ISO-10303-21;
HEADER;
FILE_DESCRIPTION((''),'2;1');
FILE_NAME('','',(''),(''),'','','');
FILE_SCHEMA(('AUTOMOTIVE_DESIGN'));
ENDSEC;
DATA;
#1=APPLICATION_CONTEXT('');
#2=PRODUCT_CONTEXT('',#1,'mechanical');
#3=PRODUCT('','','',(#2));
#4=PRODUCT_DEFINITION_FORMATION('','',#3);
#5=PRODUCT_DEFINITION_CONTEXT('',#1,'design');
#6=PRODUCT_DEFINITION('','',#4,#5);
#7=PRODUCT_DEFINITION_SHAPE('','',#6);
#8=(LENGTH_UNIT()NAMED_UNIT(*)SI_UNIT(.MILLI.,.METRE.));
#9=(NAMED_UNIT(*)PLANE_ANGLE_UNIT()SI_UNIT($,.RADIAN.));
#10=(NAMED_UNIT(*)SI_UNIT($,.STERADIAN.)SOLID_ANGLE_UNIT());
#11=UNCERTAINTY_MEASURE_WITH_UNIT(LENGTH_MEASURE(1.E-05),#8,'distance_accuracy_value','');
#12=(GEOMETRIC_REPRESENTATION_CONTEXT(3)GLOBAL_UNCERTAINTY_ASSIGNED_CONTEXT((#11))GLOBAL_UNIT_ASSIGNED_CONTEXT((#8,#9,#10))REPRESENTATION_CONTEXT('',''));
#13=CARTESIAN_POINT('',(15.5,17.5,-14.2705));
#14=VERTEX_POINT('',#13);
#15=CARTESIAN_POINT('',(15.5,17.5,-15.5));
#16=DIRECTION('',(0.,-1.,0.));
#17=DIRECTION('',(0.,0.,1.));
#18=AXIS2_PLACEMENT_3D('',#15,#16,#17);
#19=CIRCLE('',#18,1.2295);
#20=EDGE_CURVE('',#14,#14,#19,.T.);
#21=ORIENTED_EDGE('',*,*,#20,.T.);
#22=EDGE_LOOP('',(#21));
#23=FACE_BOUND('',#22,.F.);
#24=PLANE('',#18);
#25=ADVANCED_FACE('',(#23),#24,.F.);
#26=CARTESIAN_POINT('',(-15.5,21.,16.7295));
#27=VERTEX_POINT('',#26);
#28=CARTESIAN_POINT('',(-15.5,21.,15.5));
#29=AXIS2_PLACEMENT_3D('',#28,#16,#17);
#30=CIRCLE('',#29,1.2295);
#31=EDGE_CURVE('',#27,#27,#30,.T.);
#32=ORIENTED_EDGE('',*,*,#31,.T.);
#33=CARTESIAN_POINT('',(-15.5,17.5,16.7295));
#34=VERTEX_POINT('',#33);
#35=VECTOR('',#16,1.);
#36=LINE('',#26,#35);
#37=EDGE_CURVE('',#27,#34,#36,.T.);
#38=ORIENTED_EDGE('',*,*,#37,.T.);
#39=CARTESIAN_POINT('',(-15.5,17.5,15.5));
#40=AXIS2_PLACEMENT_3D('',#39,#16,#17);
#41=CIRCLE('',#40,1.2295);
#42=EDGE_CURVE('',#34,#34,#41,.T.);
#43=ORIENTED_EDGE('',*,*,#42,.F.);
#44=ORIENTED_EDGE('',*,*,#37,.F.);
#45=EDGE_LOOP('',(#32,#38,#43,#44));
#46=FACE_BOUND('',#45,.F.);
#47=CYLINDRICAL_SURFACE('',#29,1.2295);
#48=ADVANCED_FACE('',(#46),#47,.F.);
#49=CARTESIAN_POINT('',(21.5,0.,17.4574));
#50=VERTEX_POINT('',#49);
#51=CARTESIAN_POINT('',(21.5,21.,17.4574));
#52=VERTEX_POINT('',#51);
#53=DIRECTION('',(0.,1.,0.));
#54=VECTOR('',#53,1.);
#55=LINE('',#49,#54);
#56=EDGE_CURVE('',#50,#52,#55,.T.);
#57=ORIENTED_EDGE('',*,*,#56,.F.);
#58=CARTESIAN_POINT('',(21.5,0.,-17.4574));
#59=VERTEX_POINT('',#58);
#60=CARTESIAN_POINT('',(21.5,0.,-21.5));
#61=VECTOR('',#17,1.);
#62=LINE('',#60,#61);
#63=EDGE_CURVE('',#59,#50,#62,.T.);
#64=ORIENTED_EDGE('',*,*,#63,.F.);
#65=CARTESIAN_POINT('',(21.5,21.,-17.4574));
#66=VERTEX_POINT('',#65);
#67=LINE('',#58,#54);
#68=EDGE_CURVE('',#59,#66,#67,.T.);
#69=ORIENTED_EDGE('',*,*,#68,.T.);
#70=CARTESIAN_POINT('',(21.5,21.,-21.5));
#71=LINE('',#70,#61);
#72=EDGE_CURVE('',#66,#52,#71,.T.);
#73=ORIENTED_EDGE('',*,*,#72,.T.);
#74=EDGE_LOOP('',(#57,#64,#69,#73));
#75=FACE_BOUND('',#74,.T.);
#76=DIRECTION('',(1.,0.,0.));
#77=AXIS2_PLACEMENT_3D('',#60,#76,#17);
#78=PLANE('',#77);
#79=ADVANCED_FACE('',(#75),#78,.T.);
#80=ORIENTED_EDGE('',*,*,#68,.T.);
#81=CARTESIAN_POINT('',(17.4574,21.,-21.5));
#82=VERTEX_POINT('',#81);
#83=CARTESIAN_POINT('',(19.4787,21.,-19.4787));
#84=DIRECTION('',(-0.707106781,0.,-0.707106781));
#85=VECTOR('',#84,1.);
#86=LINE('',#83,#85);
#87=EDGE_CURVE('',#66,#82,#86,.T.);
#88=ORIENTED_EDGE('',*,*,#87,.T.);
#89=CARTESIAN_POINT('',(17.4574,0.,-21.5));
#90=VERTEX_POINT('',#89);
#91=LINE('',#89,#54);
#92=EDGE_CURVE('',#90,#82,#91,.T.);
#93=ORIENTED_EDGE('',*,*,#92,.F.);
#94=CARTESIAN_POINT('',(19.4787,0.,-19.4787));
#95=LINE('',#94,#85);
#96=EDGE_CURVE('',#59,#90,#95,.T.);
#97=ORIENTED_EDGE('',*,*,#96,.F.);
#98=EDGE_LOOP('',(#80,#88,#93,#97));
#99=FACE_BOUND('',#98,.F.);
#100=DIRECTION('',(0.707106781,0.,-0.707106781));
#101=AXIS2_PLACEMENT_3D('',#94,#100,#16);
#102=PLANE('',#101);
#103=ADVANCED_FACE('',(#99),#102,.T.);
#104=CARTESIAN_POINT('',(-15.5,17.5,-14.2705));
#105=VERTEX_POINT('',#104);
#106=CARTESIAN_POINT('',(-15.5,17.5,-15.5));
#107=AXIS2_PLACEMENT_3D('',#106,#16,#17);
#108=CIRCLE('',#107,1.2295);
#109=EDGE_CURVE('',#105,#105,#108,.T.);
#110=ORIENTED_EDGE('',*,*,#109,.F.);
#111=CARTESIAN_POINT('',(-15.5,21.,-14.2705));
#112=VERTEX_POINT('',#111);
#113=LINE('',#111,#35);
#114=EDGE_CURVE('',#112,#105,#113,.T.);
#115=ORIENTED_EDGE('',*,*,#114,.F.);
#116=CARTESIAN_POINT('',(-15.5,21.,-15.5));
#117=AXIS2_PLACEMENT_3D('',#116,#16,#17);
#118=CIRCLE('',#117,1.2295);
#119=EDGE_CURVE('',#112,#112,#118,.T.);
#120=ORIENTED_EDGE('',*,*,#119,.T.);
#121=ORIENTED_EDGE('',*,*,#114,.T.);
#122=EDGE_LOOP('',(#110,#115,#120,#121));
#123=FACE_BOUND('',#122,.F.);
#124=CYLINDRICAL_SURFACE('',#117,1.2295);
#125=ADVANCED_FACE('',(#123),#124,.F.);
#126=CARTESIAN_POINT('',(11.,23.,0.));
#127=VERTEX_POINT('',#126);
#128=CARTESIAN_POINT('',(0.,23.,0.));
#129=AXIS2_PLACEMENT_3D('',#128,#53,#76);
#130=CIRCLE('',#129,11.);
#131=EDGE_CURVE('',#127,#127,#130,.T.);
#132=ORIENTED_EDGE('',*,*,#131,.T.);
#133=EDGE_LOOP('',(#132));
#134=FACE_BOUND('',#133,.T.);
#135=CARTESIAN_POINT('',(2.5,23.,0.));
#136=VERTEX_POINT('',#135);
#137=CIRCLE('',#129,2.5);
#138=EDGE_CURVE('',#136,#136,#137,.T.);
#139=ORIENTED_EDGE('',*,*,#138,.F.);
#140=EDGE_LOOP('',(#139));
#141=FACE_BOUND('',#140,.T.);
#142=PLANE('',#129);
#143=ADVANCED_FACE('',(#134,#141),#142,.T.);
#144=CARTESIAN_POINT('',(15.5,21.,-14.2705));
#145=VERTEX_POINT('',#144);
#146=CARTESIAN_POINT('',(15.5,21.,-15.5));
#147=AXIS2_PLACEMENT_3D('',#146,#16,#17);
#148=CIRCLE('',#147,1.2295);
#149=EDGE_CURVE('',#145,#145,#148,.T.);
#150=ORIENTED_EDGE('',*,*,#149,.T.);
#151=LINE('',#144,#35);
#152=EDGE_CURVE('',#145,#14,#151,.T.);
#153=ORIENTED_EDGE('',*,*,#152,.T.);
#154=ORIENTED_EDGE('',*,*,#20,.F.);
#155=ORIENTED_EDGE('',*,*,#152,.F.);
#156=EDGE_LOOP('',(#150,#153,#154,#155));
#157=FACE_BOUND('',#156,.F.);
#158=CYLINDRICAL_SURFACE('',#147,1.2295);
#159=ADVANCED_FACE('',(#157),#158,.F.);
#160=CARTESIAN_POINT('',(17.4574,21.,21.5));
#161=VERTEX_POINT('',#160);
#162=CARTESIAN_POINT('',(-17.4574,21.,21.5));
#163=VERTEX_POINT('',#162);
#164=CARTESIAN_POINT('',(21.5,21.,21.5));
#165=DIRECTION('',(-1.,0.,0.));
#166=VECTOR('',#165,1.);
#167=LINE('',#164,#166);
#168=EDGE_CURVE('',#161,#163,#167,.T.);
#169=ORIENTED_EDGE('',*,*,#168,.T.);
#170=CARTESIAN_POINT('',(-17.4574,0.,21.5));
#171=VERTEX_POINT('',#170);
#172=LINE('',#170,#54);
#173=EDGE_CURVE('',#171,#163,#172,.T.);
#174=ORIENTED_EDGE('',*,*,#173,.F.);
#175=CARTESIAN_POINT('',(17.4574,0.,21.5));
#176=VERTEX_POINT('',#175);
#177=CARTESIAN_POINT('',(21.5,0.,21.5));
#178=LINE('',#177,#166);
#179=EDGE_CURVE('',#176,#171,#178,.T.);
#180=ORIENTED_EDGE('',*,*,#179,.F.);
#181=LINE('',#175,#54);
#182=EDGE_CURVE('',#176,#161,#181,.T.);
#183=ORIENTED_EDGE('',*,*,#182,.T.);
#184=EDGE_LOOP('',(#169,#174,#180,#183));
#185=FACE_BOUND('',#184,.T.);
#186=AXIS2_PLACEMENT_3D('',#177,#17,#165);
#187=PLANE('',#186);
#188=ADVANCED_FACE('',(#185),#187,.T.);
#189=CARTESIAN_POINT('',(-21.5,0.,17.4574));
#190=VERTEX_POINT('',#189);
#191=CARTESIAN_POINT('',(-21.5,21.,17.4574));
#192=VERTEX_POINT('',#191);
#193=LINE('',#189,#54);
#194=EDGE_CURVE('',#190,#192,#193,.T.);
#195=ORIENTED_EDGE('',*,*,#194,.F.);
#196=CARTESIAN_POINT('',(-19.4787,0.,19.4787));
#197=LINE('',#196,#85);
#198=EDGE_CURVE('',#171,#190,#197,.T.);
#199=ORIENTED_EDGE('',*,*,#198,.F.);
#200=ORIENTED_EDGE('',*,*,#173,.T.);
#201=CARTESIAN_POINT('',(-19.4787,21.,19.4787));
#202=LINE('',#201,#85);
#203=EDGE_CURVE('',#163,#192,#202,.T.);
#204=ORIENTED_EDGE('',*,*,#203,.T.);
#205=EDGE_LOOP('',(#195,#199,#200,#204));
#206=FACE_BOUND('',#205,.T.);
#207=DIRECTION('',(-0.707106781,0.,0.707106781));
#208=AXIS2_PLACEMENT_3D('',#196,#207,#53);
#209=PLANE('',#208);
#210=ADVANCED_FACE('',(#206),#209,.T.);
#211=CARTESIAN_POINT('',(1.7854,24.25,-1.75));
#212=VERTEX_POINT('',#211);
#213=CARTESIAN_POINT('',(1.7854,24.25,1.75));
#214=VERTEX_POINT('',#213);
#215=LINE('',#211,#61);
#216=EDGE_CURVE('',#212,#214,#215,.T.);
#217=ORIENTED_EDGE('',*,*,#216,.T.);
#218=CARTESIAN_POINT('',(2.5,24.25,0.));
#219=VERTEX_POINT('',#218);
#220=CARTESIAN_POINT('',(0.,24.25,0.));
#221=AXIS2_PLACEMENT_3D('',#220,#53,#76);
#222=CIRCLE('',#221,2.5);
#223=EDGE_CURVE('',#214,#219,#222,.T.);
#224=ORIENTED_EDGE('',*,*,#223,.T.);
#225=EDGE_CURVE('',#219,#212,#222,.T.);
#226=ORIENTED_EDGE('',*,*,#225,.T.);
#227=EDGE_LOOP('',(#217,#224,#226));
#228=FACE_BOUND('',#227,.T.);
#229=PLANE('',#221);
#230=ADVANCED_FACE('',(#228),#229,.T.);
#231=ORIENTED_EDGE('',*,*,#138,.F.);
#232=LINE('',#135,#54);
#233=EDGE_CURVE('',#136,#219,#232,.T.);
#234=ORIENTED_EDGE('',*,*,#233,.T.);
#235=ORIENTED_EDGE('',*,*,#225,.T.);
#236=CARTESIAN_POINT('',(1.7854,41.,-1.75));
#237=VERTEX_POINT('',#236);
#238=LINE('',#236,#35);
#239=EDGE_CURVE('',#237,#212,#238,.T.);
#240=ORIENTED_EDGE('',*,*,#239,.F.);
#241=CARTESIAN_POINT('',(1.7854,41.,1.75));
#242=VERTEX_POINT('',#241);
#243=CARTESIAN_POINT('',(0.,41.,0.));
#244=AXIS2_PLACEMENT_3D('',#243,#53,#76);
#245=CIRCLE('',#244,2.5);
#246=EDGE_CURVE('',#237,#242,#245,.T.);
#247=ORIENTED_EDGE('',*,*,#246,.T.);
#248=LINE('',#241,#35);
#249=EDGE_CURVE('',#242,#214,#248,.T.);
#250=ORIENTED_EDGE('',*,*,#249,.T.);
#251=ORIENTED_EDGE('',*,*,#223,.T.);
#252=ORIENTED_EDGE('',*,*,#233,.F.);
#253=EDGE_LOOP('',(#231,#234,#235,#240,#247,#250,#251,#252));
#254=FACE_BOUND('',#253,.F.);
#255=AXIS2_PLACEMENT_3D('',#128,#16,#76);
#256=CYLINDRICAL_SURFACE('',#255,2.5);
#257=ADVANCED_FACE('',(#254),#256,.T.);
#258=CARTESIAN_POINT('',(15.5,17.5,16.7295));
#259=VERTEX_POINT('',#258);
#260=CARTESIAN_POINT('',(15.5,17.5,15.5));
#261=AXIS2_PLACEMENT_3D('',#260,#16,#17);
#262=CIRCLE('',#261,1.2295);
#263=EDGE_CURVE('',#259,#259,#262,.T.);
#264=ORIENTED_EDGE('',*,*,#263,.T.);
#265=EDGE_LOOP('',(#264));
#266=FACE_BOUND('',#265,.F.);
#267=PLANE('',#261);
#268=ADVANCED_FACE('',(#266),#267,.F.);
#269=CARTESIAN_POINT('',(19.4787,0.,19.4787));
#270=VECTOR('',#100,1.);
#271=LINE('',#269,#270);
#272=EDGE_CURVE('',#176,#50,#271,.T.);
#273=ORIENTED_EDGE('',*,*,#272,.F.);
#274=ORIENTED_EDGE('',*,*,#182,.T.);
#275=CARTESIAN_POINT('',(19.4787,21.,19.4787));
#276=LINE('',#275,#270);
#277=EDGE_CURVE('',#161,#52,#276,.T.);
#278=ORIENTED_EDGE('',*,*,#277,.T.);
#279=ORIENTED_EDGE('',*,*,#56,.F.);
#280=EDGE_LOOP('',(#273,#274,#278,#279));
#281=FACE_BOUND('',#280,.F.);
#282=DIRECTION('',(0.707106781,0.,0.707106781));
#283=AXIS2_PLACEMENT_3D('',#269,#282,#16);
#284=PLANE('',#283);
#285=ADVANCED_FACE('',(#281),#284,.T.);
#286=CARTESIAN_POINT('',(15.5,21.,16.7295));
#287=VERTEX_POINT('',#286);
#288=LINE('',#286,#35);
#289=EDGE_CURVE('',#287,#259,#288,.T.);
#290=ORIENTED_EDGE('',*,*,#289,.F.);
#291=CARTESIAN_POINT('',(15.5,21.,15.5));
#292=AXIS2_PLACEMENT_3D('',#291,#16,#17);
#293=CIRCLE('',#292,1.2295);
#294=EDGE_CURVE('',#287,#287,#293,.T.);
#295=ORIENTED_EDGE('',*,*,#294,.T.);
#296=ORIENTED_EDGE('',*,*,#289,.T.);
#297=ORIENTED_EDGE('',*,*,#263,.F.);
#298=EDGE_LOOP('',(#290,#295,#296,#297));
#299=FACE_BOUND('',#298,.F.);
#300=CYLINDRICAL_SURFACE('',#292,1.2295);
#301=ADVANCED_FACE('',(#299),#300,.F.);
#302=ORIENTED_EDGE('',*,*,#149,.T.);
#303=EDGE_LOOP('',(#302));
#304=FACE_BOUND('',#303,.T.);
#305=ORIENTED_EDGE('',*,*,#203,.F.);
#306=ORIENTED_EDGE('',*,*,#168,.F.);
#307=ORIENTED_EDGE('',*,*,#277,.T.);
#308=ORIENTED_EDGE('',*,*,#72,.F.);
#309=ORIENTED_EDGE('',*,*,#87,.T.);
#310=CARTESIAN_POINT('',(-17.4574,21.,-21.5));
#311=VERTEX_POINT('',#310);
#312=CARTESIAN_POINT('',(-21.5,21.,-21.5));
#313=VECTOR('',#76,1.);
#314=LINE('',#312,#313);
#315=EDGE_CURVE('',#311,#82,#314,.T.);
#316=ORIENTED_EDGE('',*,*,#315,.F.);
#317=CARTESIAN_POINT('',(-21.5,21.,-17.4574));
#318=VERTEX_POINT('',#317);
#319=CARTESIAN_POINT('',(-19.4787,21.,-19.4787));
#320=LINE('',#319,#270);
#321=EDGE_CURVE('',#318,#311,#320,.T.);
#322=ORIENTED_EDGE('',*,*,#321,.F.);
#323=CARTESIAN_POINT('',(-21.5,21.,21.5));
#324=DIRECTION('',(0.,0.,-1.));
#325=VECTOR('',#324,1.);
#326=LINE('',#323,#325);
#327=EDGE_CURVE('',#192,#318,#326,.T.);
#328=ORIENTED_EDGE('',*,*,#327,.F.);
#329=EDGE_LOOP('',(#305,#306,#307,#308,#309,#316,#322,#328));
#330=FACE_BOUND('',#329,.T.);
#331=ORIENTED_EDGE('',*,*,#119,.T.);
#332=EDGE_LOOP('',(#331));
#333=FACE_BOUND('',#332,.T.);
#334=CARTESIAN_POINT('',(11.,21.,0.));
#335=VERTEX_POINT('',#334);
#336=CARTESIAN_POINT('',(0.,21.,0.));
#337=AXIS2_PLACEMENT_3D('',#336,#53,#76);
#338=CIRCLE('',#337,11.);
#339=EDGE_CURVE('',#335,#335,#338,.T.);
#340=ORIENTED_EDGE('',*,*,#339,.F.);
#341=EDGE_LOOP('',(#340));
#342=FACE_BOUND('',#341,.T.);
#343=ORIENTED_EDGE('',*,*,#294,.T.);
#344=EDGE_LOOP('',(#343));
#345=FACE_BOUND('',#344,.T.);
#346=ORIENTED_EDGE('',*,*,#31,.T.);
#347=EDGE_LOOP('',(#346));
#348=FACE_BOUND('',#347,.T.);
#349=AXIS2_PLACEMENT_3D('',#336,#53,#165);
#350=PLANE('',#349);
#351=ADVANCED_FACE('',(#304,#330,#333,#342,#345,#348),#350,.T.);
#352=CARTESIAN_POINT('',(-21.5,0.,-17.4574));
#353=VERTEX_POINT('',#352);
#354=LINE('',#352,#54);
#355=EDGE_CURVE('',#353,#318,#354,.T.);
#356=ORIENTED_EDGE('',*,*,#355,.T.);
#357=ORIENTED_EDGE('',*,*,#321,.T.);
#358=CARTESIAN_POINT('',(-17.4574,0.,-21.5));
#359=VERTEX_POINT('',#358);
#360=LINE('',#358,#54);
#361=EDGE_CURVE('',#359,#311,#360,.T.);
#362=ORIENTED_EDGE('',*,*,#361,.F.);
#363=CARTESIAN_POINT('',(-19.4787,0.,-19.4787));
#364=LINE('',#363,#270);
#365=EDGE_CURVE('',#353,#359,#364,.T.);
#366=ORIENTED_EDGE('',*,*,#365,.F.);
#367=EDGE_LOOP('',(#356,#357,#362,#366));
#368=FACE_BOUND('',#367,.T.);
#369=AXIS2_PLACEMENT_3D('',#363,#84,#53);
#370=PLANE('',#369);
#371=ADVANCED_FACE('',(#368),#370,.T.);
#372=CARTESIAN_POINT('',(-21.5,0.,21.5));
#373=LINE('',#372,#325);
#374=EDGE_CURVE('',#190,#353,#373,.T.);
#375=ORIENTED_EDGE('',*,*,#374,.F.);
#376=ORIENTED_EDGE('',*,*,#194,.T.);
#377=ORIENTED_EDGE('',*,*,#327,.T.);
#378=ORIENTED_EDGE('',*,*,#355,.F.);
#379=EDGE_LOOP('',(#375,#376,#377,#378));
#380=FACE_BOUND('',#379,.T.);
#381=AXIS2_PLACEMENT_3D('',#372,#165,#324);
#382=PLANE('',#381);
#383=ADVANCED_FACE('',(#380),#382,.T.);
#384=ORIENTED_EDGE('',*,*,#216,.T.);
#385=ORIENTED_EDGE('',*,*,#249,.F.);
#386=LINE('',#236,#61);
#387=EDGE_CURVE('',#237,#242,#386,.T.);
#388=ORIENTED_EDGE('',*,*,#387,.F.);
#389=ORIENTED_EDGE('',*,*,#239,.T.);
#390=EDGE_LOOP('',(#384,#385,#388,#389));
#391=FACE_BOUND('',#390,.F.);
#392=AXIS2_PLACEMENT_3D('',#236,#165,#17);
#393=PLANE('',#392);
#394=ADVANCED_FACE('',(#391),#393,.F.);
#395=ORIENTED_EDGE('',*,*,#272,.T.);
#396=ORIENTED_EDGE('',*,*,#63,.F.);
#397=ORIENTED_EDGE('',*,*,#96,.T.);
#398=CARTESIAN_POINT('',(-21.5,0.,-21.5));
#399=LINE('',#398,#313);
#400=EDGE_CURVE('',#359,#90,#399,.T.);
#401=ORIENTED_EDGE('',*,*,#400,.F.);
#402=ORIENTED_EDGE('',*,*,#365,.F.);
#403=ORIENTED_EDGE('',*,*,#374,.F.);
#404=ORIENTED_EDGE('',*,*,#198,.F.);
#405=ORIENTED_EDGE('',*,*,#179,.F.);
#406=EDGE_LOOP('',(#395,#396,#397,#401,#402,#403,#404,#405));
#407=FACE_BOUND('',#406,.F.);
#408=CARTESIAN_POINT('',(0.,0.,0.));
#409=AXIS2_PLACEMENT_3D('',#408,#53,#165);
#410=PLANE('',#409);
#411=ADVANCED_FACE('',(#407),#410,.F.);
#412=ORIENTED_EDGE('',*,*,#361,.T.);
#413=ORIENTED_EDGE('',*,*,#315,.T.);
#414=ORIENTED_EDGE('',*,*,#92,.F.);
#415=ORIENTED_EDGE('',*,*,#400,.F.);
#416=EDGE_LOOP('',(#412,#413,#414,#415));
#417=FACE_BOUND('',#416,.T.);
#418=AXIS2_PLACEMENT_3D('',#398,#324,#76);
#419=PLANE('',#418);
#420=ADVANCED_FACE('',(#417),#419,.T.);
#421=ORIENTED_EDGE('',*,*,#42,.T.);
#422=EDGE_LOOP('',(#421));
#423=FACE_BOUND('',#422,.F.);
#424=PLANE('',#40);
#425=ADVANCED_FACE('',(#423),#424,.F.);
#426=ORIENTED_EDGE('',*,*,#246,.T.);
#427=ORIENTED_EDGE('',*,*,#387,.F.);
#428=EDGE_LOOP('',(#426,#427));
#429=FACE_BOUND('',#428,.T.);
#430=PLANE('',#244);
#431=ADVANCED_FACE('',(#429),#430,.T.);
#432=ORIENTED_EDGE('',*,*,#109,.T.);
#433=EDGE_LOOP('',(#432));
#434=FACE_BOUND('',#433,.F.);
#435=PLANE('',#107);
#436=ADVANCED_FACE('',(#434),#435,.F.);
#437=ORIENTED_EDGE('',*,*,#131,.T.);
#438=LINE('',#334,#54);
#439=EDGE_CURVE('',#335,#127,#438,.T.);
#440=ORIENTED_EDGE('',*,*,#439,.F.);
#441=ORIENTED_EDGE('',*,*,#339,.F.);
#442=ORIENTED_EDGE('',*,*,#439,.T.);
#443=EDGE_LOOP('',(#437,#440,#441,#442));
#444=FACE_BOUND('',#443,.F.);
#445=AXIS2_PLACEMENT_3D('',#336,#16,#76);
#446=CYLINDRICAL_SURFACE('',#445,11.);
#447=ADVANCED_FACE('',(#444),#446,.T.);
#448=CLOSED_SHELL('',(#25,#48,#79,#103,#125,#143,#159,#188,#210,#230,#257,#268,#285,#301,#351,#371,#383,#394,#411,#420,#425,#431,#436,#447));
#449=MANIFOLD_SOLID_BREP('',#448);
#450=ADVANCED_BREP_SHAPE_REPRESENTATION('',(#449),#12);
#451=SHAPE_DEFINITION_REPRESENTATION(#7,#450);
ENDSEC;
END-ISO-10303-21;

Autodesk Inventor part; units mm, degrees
ref_plane "YZ Plane" through (0, 0, 0) normal (1, 0, 0) x (0, 1, 0)
ref_plane "XZ Plane" through (0, 0, 0) normal (0, 1, 0) x (-1, 0, 0)
ref_plane "XY Plane" through (0, 0, 0) normal (0, 0, 1) x (1, 0, 0)
sketch "Sketch1" plane through (0, 0, 0) normal (0, 1, 0) x (-1, 0, 0)
  line L0 (-21.5, 21.5) -> (21.5, 21.5)
  line L1 (21.5, 21.5) -> (21.5, -21.5)
  line L2 (21.5, -21.5) -> (-21.5, -21.5)
  line L3 (-21.5, -21.5) -> (-21.5, 21.5)
  line L4 (-21.5, 21.5) -> (21.5, -21.5) construction
  line L5 (21.5, 21.5) -> (-21.5, -21.5) construction
  point P0 (0, 0)
  dimension "d0" = 43
  dimension "d1" = 43
extrude "Extrusion1" add sketch "Sketch1" along normal blind 21
sketch "Sketch2" plane through (0, 21, 0) normal (0, 1, 0) x (1, 0, 0)
  line L0 (21.5, 21.5) -> (-21.5, 21.5) construction
  line L1 (-21.5, 21.5) -> (-21.5, -21.5) construction
  line L2 (-21.5, -21.5) -> (21.5, -21.5) construction
  line L3 (21.5, -21.5) -> (21.5, 21.5) construction
  line L4 (21.5, -21.5) -> (-21.5, 21.5) construction
  line L5 (21.5, 21.5) -> (-21.5, -21.5) construction
  circle A0 centre (0, 0) radius 11
  dimension "d4" = 22
extrude "Extrusion2" add sketch "Sketch2" along normal blind 2
sketch "Sketch3" plane through (0, 23, 0) normal (0, 1, 0) x (1, 0, 0)
  circle A0 centre (0, 0) radius 11 construction
  circle A1 centre (0, 0) radius 11 construction
  circle A2 centre (0, 0) radius 2.5
  dimension "d7" = 5
extrude "Extrusion3" add sketch "Sketch3" along normal blind 18
sketch "Sketch4" plane through (0, 41, 0) normal (0, 1, 0) x (1, 0, 0)
  circle A0 centre (0, 0) radius 2.5 projected
  line L0 (1.7854, 1.75) -> (1.7854, -1.75)
  dimension "d11" = 3.5
extrude "Extrusion4" cut sketch "Sketch4" against normal blind 16.75 contours A0 L0 picked at (1.8866, -0.4578)
chamfer "Chamfer1" distance 4.0426 angle 45 4 edges at (-21.5, 10.5, 21.5) (21.5, 10.5, 21.5) (21.5, 10.5, -21.5) (-21.5, 10.5, -21.5)
sketch "Sketch5" plane through (0, 21, 0) normal (0, 1, 0) x (1, 0, 0)
  line L0 (-21.5, 17.4574) -> (-17.4574, 21.5) construction
  line L1 (-21.5, 17.4574) -> (-21.5, -17.4574) construction
  line L2 (-17.4574, -21.5) -> (-21.5, -17.4574) construction
  line L3 (-17.4574, -21.5) -> (17.4574, -21.5) construction
  line L4 (21.5, -17.4574) -> (17.4574, -21.5) construction
  line L5 (21.5, -17.4574) -> (21.5, 17.4574) construction
  line L6 (17.4574, 21.5) -> (21.5, 17.4574) construction
  line L7 (17.4574, 21.5) -> (-17.4574, 21.5) construction
  circle A0 centre (0, 0) radius 11 construction
  line L8 (15.5, -15.5) -> (-15.5, -15.5) construction
  line L9 (-15.5, -15.5) -> (-15.5, 15.5) construction
  line L10 (-15.5, 15.5) -> (15.5, 15.5) construction
  line L11 (15.5, 15.5) -> (15.5, -15.5) construction
  circle A1 centre (0, 0) radius 2.5 construction
  line L12 (15.5, -15.5) -> (-15.5, 15.5) construction
  line L13 (-15.5, -15.5) -> (15.5, 15.5) construction
  dimension "d17" = 31
  dimension "d18" = 31
hole "Hole1" at (-15.5, 21, 15.5) at (-15.5, 21, -15.5) at (15.5, 21, -15.5) at (15.5, 21, 15.5) direction (0, -1, 0) diameter 2.459 depth 3.5 thread size "M3x0.5" class "6H" standard "ISO Metric profile"
properties part number "PancakeStepper" material "Steel, Carbon"
